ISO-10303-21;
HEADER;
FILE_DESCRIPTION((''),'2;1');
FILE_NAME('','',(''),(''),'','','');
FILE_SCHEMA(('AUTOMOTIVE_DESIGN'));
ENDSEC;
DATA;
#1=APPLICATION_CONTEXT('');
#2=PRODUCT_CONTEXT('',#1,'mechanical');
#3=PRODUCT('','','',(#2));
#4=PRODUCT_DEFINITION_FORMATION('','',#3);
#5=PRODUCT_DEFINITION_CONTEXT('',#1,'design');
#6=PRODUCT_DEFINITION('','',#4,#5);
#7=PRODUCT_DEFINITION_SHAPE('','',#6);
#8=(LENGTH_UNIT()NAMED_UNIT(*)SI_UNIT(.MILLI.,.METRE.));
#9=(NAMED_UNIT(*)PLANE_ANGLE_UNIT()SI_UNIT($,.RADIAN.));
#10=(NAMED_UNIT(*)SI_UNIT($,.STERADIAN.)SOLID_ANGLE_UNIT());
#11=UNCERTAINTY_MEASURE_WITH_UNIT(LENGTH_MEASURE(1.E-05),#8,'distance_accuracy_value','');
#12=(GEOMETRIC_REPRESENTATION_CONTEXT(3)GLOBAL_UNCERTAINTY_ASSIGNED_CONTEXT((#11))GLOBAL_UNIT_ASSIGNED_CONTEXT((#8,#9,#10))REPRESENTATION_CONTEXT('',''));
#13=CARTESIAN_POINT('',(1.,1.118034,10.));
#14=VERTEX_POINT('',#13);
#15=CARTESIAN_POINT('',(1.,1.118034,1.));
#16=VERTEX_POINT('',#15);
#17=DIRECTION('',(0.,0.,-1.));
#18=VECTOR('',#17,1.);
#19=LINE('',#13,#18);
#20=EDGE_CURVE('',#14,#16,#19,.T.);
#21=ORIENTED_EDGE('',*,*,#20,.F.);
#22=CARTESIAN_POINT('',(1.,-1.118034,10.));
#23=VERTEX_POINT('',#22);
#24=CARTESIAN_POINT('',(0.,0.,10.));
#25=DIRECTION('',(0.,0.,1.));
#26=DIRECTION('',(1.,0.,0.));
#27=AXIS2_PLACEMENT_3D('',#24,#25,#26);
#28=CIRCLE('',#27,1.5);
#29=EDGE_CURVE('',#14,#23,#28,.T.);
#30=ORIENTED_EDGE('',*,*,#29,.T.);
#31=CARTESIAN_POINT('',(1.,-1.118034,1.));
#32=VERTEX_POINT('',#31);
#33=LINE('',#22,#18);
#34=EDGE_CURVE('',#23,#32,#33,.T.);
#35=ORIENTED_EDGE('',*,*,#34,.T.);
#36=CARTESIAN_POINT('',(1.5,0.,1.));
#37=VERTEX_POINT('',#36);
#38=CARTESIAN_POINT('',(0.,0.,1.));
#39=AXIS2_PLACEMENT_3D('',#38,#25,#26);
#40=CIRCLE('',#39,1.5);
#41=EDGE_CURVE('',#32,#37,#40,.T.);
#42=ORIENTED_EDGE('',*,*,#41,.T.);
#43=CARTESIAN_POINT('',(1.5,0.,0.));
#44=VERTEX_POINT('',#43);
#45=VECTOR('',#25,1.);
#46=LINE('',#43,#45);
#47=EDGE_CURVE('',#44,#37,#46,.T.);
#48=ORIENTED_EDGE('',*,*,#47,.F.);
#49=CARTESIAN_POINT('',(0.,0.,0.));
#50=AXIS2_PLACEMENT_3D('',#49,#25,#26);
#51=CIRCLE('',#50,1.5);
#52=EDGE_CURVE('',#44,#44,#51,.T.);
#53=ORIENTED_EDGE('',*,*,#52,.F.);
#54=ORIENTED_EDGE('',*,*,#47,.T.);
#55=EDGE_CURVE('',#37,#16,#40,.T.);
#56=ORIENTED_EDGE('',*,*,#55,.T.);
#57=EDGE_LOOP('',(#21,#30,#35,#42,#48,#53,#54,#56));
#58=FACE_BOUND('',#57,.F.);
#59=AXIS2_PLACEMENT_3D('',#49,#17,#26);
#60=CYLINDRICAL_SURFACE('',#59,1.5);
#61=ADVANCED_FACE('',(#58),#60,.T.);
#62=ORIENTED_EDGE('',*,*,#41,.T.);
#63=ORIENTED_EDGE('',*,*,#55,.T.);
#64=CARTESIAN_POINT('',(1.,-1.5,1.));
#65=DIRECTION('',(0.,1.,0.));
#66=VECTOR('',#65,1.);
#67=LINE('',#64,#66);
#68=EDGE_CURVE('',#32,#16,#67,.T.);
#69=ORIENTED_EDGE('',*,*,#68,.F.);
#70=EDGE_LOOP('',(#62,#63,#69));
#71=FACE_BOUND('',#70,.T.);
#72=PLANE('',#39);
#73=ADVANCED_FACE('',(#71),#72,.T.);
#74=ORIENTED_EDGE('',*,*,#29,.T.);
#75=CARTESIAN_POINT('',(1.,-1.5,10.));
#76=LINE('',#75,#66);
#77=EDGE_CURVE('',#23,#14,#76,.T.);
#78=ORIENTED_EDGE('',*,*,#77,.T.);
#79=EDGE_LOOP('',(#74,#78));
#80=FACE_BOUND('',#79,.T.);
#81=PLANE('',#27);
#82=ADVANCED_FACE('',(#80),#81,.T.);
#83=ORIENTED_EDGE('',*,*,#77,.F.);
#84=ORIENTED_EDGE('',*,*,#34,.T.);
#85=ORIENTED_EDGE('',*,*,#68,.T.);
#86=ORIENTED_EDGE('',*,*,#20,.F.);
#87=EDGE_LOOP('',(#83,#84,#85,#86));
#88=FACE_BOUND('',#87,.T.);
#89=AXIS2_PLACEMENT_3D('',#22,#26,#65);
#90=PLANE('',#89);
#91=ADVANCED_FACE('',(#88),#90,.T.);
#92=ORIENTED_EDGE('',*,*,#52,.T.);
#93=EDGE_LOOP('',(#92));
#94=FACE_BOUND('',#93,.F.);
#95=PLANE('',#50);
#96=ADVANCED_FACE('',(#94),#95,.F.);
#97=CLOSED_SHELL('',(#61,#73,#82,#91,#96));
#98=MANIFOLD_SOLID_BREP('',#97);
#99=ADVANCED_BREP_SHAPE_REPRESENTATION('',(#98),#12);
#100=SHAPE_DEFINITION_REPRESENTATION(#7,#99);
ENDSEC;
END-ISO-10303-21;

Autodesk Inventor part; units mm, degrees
ref_plane "YZ Plane" through (0, 0, 0) normal (1, 0, 0) x (0, 1, 0)
ref_plane "XZ Plane" through (0, 0, 0) normal (0, 1, 0) x (-1, 0, 0)
ref_plane "XY Plane" through (0, 0, 0) normal (0, 0, 1) x (1, 0, 0)
sketch "Эскиз1" plane through (0, 0, 0) normal (0, 0, 1) x (1, 0, 0)
  circle A0 centre (0, 0) radius 1.5
  dimension "d0" = 3
extrude "Выдавливание1" add sketch "Эскиз1" along normal blind 10
sketch "Эскиз2" plane through (0, 0, 10) normal (0, 0, 1) x (1, 0, 0)
  line L0 (-1, -1.5) -> (1, -1.5)
  line L1 (1, -1.5) -> (1, 1.5)
  line L2 (1, 1.5) -> (-1, 1.5)
  line L3 (-1, 1.5) -> (-1, -1.5)
  circle A0 centre (0, 0) radius 1.5 projected
  line L4 (-1, -1.5) -> (1, 1.5) construction
  line L5 (1, -1.5) -> (-1, 1.5) construction
  point P0 (1, -1.118)
  point P1 (1, 1.118)
  dimension "d3" = 2
extrude "Выдавливание2" cut sketch "Эскиз2" against normal blind 9 contours L1 A0
properties part number "Ось мотора серии N"
